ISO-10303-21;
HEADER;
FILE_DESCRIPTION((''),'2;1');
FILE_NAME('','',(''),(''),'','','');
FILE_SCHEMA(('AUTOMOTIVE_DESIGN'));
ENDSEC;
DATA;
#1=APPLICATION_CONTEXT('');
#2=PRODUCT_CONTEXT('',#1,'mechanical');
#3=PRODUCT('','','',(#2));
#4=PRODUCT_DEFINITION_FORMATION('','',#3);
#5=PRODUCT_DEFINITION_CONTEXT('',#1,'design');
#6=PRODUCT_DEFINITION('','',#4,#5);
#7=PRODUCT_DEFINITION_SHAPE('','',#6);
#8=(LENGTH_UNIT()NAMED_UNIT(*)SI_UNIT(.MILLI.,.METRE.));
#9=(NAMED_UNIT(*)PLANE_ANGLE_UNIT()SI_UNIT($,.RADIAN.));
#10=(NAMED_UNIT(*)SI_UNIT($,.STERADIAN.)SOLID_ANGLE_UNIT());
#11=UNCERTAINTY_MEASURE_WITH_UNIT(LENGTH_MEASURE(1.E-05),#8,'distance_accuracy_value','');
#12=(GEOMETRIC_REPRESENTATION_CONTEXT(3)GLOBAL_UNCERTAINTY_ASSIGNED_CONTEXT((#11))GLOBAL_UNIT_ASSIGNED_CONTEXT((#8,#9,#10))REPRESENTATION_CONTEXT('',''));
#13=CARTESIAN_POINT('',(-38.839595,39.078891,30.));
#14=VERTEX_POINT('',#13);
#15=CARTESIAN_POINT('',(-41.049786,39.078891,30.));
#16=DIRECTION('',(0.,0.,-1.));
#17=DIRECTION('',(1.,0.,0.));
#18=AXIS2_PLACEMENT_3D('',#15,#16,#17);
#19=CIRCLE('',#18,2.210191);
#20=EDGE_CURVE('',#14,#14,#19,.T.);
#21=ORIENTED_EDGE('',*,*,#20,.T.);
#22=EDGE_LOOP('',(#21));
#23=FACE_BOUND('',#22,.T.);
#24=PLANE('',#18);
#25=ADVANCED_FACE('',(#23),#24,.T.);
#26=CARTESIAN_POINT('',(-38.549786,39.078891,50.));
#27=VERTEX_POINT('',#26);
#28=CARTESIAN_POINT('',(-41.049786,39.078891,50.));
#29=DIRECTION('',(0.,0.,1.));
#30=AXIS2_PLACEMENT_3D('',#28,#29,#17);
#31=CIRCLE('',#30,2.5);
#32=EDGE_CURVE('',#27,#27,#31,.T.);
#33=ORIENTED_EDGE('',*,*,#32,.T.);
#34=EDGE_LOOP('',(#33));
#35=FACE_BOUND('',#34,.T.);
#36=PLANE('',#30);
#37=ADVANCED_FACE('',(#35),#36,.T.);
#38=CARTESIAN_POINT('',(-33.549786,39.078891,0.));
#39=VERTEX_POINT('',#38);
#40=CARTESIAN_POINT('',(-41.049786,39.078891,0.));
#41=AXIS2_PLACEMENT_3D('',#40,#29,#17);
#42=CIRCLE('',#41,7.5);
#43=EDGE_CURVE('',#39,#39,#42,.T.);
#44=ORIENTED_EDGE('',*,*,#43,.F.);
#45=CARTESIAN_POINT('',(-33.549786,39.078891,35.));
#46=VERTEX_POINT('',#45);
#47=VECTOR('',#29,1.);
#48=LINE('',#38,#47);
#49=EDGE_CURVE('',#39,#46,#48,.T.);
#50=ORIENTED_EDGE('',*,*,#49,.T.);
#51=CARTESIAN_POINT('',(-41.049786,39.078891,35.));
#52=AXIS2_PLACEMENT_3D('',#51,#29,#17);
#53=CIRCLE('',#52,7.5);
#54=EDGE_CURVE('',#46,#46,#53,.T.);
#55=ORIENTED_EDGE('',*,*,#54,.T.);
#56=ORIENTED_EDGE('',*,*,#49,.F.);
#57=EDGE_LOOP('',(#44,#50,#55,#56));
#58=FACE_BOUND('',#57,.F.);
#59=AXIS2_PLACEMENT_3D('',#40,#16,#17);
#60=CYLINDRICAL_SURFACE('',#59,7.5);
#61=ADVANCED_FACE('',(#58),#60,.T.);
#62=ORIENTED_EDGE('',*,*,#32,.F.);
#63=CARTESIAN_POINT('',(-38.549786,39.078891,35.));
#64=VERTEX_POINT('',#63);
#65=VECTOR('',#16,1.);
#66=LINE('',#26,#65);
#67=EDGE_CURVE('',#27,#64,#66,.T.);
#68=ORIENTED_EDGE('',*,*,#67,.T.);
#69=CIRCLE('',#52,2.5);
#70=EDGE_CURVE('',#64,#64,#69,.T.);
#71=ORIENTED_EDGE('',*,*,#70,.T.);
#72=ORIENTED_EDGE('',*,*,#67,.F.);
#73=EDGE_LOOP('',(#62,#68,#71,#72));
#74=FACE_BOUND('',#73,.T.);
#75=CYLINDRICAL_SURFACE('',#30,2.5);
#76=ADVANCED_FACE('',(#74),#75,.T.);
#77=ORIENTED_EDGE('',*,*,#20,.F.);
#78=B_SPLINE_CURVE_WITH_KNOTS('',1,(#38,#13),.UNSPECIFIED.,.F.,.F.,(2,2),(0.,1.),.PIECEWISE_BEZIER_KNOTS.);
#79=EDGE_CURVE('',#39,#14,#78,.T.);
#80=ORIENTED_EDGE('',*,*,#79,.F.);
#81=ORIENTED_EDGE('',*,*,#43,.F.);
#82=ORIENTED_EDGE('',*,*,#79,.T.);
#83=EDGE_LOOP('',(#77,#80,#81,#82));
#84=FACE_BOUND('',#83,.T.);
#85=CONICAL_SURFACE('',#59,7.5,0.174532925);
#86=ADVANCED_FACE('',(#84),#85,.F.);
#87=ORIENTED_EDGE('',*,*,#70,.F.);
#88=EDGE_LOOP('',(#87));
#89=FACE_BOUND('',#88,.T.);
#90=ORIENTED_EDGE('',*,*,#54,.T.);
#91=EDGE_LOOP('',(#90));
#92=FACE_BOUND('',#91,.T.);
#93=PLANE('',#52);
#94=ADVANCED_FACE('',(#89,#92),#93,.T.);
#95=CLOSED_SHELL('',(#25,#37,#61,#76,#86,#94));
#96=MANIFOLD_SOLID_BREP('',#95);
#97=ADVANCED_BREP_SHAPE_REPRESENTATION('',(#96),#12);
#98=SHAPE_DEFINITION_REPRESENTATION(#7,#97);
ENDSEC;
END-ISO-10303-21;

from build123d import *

# Parameters (mm, degrees)
F0_R     = 7.5
F1_DEPTH = 50
F2_R     = 7.5
F3_DEPTH = 30
F3_TAPER = 10
F4_R     = 7.5
F4_R_2   = 2.5
F5_DEPTH = 15


with BuildPart() as f1:
    # F0 (on Top) → F1 (new body)
    with BuildSketch(Plane.XY):
        with Locations((-41.049785912, 39.0788912773)):
            Circle(F0_R)
    extrude(amount=F1_DEPTH)

    # F2 (on face) → F3 (cut)
    with BuildSketch(Plane(origin=(0, 0, 0), x_dir=(1, 0, 0), z_dir=(0, 0, -1))):
        with Locations((-41.049785912, -39.0788912773)):
            Circle(F2_R)
    extrude(amount=-F3_DEPTH, taper=F3_TAPER, mode=Mode.SUBTRACT)

    # F4 (on face) → F5 (cut)
    with BuildSketch(Plane.XY.offset(50)):
        with Locations((-41.049785912, 39.0788912773)):
            Circle(F4_R)
        with Locations((-41.049785912, 39.0788912773)):
            Circle(F4_R_2, mode=Mode.SUBTRACT)
    extrude(amount=-F5_DEPTH, mode=Mode.SUBTRACT)


solid = f1.part
